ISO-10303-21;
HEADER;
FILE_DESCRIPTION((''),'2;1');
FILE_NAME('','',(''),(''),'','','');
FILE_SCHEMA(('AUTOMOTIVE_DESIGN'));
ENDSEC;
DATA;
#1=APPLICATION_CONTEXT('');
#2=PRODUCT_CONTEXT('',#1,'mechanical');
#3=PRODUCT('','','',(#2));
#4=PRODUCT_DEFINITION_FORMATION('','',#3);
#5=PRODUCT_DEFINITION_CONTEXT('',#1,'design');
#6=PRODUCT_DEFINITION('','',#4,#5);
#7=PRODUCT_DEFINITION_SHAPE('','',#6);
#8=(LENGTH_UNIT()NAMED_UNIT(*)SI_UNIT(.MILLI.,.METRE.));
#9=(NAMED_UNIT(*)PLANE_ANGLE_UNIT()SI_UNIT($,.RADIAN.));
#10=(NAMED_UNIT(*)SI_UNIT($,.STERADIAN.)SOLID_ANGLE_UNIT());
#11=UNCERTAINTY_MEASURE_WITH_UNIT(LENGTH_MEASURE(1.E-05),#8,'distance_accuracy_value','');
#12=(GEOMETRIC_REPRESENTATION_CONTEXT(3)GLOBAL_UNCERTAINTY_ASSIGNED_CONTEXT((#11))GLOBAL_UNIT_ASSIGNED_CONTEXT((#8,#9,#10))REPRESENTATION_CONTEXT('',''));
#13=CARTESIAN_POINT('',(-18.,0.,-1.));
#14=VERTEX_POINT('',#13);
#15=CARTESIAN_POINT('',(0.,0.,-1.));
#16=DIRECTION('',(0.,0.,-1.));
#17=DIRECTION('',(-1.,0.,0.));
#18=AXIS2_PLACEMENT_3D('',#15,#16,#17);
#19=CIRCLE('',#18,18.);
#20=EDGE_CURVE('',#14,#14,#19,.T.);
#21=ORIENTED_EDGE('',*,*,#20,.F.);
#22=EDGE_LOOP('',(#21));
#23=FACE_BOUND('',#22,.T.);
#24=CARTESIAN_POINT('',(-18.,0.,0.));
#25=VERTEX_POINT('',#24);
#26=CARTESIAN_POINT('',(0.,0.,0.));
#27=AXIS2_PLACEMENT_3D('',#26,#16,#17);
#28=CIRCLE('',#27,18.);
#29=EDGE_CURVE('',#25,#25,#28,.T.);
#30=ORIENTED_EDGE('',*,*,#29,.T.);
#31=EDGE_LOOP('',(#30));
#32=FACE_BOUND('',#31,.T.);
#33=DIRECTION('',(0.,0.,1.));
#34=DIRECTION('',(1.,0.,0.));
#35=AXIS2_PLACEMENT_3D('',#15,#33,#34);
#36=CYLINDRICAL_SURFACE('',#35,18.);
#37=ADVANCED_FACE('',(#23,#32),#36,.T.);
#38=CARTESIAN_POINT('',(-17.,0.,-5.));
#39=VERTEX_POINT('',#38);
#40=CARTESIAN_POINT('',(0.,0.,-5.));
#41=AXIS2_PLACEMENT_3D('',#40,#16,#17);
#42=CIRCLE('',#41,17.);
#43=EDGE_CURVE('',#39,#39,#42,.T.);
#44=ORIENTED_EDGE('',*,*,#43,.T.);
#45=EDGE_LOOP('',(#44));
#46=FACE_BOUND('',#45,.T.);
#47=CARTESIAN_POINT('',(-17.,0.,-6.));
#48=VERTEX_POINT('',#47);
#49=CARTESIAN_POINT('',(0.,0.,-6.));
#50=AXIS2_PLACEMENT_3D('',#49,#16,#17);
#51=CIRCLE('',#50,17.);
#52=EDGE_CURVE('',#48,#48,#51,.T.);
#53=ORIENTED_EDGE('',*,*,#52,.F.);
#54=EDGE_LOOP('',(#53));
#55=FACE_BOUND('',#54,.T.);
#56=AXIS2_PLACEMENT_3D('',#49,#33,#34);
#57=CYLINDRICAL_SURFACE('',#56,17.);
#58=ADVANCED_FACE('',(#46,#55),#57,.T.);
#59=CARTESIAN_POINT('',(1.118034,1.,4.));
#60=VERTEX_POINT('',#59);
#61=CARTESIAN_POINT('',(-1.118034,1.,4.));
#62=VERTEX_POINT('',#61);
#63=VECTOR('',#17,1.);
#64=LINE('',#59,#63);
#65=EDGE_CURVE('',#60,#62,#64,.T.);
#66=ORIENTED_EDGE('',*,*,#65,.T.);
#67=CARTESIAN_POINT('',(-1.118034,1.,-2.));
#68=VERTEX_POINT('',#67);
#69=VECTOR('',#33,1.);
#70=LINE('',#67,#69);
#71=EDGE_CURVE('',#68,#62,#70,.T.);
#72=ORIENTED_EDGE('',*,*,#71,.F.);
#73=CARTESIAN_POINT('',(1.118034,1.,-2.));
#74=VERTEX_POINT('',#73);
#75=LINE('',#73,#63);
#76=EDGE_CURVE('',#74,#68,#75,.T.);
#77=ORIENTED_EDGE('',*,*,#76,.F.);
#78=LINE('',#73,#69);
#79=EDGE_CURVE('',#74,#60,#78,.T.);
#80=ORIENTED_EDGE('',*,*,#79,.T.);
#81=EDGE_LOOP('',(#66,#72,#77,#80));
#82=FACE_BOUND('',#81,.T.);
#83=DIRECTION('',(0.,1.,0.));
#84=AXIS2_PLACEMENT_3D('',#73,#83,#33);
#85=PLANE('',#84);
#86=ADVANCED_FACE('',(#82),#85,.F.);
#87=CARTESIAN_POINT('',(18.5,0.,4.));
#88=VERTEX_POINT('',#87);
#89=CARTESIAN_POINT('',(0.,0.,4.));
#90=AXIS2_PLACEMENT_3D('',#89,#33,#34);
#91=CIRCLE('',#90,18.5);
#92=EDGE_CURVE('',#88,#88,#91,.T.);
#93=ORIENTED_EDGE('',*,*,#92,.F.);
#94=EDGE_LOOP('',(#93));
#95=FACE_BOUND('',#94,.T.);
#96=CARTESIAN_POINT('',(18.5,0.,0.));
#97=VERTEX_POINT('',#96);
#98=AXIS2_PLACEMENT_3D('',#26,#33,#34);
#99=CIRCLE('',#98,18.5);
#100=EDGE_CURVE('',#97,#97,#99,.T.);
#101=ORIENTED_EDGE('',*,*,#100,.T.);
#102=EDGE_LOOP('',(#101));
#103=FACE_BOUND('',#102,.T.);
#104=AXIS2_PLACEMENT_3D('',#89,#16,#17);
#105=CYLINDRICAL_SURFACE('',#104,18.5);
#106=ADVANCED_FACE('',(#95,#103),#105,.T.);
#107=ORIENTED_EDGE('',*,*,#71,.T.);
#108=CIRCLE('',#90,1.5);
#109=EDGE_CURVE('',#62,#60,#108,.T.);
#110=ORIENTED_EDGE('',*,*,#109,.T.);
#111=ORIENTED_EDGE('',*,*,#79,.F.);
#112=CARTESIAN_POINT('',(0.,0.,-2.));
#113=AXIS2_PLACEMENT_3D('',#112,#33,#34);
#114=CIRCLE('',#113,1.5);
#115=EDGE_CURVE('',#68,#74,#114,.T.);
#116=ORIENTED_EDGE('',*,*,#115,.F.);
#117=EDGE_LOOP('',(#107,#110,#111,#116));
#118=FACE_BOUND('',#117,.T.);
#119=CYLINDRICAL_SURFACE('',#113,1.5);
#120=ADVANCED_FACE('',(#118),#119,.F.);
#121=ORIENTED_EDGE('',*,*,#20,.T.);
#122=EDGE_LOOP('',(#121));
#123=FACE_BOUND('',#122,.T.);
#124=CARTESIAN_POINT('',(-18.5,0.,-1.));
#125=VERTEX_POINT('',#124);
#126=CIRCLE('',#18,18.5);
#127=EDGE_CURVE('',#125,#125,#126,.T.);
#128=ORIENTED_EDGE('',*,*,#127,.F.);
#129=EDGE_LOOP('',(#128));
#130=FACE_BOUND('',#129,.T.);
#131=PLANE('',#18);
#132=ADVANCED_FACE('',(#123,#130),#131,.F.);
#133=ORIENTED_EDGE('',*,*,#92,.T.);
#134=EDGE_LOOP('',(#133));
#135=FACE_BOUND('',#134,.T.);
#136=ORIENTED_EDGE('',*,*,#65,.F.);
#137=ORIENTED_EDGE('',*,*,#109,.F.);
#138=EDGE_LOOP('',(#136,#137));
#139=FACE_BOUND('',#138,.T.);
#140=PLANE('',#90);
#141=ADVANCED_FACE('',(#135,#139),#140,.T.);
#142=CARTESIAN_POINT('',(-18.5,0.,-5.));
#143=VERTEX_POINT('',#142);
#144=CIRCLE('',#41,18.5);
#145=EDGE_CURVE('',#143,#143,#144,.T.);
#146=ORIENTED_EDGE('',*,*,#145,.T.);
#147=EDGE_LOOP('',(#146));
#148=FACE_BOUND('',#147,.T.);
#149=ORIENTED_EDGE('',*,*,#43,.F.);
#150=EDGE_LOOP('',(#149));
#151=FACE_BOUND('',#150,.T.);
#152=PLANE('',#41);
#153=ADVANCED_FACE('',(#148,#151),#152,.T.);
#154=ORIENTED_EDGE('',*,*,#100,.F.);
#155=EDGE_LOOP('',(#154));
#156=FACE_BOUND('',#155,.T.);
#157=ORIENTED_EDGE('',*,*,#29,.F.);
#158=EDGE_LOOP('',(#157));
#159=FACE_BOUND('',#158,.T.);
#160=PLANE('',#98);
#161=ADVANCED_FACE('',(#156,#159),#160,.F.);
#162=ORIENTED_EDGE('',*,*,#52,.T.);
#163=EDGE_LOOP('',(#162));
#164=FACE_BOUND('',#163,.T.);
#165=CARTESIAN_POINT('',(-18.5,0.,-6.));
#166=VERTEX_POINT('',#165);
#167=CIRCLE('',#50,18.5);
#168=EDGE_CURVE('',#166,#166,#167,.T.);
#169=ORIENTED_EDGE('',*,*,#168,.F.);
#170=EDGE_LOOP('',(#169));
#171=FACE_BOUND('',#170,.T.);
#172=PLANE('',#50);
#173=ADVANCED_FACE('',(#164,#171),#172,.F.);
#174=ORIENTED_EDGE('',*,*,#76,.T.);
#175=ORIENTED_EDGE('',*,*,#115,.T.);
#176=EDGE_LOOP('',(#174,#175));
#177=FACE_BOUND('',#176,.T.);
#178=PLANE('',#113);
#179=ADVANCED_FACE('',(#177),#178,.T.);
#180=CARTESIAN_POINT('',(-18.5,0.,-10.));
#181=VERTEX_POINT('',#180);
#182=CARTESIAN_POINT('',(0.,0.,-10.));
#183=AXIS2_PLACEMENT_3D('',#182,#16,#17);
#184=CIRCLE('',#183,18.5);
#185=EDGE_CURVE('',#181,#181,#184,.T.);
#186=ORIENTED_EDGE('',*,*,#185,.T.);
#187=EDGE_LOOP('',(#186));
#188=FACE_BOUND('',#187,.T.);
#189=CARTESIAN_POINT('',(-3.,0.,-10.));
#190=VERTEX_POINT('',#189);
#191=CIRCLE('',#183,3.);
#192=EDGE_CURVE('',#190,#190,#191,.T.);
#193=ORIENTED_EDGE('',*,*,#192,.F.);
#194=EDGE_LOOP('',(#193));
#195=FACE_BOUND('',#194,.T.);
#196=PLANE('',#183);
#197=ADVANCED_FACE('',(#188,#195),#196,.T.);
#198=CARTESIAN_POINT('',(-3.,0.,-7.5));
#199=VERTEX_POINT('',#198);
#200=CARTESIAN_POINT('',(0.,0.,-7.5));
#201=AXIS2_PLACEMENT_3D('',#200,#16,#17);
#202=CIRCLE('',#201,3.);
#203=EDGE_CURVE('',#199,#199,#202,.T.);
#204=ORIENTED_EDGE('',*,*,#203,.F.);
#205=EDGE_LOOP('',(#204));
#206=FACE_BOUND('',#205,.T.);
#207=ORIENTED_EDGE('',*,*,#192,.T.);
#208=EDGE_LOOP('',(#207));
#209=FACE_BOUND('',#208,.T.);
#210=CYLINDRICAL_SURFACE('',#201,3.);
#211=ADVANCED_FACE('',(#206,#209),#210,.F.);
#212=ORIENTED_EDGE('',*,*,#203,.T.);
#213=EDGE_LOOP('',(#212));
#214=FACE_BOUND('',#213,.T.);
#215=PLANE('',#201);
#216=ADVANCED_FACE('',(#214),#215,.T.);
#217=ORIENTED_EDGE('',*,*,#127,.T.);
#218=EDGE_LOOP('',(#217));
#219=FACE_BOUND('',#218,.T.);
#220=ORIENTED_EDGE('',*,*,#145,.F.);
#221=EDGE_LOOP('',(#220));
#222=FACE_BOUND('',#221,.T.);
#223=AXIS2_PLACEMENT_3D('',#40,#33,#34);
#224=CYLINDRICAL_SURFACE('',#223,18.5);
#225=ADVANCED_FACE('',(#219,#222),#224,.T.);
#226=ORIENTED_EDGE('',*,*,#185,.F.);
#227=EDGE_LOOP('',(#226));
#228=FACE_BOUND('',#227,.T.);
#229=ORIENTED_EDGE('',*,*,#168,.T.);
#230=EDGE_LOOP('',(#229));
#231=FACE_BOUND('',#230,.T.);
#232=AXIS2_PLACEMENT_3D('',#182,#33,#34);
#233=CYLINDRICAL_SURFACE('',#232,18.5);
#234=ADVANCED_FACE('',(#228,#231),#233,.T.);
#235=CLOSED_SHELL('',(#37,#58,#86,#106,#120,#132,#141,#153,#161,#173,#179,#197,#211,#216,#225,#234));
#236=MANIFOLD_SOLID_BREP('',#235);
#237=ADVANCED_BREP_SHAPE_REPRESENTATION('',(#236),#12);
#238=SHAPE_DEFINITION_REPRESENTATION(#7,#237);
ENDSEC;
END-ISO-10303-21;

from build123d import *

# Parameters (mm, degrees)
SKETCH_1_R          = 18.5
EXTRUDE_1_DEPTH     = 4
SKETCH_2_R          = 18
EXTRUDE_2_DEPTH     = 1
SKETCH_3_R          = 18.5
EXTRUDE_3_DEPTH     = 4
SKETCH_4_R          = 17
EXTRUDE_4_DEPTH     = 1
SKETCH_5_R          = 18.5
EXTRUDE_5_DEPTH     = 4
CUT_EXTRUDE_1_DEPTH = 6
SKETCH_7_R          = 3
CUT_EXTRUDE_2_DEPTH = 2.5


with BuildPart() as part:
    # 草图1 → 凸台-拉伸1 (new body)
    with BuildSketch(Plane.XY):
        Circle(SKETCH_1_R)
    extrude(amount=EXTRUDE_1_DEPTH)

    # 草图2 → 凸台-拉伸2 (add)
    with BuildSketch(Plane(origin=(0, 0, 0), x_dir=(-1, 0, 0), z_dir=(0, 0, -1))):
        Circle(SKETCH_2_R)
    extrude(amount=EXTRUDE_2_DEPTH)

    # 草图3 → 凸台-拉伸3 (add)
    with BuildSketch(Plane(origin=(0, 0, -1), x_dir=(-1, 0, 0), z_dir=(0, 0, -1))):
        Circle(SKETCH_3_R)
    extrude(amount=EXTRUDE_3_DEPTH)

    # 草图4 → 凸台-拉伸4 (add)
    with BuildSketch(Plane(origin=(0, 0, -5), x_dir=(-1, 0, 0), z_dir=(0, 0, -1))):
        Circle(SKETCH_4_R)
    extrude(amount=EXTRUDE_4_DEPTH)

    # 草图5 → 凸台-拉伸5 (add)
    with BuildSketch(Plane(origin=(0, 0, -6), x_dir=(-1, 0, 0), z_dir=(0, 0, -1))):
        Circle(SKETCH_5_R)
    extrude(amount=EXTRUDE_5_DEPTH)

    # 草图6 → 切除-拉伸1 (cut)
    with BuildSketch(Plane.XY.offset(4)):
        with BuildLine():
            Line((1.118033989, 1), (-1.118033989, 1))
            ThreePointArc((-1.118033989, 1), (0, -1.5), (1.118033989, 1))
        make_face()
    extrude(amount=-CUT_EXTRUDE_1_DEPTH, mode=Mode.SUBTRACT)

    # 草图7 → 切除-拉伸2 (cut)
    with BuildSketch(Plane(origin=(0, 0, -10), x_dir=(-1, 0, 0), z_dir=(0, 0, -1))):
        Circle(SKETCH_7_R)
    extrude(amount=-CUT_EXTRUDE_2_DEPTH, mode=Mode.SUBTRACT)


solid = part.part
